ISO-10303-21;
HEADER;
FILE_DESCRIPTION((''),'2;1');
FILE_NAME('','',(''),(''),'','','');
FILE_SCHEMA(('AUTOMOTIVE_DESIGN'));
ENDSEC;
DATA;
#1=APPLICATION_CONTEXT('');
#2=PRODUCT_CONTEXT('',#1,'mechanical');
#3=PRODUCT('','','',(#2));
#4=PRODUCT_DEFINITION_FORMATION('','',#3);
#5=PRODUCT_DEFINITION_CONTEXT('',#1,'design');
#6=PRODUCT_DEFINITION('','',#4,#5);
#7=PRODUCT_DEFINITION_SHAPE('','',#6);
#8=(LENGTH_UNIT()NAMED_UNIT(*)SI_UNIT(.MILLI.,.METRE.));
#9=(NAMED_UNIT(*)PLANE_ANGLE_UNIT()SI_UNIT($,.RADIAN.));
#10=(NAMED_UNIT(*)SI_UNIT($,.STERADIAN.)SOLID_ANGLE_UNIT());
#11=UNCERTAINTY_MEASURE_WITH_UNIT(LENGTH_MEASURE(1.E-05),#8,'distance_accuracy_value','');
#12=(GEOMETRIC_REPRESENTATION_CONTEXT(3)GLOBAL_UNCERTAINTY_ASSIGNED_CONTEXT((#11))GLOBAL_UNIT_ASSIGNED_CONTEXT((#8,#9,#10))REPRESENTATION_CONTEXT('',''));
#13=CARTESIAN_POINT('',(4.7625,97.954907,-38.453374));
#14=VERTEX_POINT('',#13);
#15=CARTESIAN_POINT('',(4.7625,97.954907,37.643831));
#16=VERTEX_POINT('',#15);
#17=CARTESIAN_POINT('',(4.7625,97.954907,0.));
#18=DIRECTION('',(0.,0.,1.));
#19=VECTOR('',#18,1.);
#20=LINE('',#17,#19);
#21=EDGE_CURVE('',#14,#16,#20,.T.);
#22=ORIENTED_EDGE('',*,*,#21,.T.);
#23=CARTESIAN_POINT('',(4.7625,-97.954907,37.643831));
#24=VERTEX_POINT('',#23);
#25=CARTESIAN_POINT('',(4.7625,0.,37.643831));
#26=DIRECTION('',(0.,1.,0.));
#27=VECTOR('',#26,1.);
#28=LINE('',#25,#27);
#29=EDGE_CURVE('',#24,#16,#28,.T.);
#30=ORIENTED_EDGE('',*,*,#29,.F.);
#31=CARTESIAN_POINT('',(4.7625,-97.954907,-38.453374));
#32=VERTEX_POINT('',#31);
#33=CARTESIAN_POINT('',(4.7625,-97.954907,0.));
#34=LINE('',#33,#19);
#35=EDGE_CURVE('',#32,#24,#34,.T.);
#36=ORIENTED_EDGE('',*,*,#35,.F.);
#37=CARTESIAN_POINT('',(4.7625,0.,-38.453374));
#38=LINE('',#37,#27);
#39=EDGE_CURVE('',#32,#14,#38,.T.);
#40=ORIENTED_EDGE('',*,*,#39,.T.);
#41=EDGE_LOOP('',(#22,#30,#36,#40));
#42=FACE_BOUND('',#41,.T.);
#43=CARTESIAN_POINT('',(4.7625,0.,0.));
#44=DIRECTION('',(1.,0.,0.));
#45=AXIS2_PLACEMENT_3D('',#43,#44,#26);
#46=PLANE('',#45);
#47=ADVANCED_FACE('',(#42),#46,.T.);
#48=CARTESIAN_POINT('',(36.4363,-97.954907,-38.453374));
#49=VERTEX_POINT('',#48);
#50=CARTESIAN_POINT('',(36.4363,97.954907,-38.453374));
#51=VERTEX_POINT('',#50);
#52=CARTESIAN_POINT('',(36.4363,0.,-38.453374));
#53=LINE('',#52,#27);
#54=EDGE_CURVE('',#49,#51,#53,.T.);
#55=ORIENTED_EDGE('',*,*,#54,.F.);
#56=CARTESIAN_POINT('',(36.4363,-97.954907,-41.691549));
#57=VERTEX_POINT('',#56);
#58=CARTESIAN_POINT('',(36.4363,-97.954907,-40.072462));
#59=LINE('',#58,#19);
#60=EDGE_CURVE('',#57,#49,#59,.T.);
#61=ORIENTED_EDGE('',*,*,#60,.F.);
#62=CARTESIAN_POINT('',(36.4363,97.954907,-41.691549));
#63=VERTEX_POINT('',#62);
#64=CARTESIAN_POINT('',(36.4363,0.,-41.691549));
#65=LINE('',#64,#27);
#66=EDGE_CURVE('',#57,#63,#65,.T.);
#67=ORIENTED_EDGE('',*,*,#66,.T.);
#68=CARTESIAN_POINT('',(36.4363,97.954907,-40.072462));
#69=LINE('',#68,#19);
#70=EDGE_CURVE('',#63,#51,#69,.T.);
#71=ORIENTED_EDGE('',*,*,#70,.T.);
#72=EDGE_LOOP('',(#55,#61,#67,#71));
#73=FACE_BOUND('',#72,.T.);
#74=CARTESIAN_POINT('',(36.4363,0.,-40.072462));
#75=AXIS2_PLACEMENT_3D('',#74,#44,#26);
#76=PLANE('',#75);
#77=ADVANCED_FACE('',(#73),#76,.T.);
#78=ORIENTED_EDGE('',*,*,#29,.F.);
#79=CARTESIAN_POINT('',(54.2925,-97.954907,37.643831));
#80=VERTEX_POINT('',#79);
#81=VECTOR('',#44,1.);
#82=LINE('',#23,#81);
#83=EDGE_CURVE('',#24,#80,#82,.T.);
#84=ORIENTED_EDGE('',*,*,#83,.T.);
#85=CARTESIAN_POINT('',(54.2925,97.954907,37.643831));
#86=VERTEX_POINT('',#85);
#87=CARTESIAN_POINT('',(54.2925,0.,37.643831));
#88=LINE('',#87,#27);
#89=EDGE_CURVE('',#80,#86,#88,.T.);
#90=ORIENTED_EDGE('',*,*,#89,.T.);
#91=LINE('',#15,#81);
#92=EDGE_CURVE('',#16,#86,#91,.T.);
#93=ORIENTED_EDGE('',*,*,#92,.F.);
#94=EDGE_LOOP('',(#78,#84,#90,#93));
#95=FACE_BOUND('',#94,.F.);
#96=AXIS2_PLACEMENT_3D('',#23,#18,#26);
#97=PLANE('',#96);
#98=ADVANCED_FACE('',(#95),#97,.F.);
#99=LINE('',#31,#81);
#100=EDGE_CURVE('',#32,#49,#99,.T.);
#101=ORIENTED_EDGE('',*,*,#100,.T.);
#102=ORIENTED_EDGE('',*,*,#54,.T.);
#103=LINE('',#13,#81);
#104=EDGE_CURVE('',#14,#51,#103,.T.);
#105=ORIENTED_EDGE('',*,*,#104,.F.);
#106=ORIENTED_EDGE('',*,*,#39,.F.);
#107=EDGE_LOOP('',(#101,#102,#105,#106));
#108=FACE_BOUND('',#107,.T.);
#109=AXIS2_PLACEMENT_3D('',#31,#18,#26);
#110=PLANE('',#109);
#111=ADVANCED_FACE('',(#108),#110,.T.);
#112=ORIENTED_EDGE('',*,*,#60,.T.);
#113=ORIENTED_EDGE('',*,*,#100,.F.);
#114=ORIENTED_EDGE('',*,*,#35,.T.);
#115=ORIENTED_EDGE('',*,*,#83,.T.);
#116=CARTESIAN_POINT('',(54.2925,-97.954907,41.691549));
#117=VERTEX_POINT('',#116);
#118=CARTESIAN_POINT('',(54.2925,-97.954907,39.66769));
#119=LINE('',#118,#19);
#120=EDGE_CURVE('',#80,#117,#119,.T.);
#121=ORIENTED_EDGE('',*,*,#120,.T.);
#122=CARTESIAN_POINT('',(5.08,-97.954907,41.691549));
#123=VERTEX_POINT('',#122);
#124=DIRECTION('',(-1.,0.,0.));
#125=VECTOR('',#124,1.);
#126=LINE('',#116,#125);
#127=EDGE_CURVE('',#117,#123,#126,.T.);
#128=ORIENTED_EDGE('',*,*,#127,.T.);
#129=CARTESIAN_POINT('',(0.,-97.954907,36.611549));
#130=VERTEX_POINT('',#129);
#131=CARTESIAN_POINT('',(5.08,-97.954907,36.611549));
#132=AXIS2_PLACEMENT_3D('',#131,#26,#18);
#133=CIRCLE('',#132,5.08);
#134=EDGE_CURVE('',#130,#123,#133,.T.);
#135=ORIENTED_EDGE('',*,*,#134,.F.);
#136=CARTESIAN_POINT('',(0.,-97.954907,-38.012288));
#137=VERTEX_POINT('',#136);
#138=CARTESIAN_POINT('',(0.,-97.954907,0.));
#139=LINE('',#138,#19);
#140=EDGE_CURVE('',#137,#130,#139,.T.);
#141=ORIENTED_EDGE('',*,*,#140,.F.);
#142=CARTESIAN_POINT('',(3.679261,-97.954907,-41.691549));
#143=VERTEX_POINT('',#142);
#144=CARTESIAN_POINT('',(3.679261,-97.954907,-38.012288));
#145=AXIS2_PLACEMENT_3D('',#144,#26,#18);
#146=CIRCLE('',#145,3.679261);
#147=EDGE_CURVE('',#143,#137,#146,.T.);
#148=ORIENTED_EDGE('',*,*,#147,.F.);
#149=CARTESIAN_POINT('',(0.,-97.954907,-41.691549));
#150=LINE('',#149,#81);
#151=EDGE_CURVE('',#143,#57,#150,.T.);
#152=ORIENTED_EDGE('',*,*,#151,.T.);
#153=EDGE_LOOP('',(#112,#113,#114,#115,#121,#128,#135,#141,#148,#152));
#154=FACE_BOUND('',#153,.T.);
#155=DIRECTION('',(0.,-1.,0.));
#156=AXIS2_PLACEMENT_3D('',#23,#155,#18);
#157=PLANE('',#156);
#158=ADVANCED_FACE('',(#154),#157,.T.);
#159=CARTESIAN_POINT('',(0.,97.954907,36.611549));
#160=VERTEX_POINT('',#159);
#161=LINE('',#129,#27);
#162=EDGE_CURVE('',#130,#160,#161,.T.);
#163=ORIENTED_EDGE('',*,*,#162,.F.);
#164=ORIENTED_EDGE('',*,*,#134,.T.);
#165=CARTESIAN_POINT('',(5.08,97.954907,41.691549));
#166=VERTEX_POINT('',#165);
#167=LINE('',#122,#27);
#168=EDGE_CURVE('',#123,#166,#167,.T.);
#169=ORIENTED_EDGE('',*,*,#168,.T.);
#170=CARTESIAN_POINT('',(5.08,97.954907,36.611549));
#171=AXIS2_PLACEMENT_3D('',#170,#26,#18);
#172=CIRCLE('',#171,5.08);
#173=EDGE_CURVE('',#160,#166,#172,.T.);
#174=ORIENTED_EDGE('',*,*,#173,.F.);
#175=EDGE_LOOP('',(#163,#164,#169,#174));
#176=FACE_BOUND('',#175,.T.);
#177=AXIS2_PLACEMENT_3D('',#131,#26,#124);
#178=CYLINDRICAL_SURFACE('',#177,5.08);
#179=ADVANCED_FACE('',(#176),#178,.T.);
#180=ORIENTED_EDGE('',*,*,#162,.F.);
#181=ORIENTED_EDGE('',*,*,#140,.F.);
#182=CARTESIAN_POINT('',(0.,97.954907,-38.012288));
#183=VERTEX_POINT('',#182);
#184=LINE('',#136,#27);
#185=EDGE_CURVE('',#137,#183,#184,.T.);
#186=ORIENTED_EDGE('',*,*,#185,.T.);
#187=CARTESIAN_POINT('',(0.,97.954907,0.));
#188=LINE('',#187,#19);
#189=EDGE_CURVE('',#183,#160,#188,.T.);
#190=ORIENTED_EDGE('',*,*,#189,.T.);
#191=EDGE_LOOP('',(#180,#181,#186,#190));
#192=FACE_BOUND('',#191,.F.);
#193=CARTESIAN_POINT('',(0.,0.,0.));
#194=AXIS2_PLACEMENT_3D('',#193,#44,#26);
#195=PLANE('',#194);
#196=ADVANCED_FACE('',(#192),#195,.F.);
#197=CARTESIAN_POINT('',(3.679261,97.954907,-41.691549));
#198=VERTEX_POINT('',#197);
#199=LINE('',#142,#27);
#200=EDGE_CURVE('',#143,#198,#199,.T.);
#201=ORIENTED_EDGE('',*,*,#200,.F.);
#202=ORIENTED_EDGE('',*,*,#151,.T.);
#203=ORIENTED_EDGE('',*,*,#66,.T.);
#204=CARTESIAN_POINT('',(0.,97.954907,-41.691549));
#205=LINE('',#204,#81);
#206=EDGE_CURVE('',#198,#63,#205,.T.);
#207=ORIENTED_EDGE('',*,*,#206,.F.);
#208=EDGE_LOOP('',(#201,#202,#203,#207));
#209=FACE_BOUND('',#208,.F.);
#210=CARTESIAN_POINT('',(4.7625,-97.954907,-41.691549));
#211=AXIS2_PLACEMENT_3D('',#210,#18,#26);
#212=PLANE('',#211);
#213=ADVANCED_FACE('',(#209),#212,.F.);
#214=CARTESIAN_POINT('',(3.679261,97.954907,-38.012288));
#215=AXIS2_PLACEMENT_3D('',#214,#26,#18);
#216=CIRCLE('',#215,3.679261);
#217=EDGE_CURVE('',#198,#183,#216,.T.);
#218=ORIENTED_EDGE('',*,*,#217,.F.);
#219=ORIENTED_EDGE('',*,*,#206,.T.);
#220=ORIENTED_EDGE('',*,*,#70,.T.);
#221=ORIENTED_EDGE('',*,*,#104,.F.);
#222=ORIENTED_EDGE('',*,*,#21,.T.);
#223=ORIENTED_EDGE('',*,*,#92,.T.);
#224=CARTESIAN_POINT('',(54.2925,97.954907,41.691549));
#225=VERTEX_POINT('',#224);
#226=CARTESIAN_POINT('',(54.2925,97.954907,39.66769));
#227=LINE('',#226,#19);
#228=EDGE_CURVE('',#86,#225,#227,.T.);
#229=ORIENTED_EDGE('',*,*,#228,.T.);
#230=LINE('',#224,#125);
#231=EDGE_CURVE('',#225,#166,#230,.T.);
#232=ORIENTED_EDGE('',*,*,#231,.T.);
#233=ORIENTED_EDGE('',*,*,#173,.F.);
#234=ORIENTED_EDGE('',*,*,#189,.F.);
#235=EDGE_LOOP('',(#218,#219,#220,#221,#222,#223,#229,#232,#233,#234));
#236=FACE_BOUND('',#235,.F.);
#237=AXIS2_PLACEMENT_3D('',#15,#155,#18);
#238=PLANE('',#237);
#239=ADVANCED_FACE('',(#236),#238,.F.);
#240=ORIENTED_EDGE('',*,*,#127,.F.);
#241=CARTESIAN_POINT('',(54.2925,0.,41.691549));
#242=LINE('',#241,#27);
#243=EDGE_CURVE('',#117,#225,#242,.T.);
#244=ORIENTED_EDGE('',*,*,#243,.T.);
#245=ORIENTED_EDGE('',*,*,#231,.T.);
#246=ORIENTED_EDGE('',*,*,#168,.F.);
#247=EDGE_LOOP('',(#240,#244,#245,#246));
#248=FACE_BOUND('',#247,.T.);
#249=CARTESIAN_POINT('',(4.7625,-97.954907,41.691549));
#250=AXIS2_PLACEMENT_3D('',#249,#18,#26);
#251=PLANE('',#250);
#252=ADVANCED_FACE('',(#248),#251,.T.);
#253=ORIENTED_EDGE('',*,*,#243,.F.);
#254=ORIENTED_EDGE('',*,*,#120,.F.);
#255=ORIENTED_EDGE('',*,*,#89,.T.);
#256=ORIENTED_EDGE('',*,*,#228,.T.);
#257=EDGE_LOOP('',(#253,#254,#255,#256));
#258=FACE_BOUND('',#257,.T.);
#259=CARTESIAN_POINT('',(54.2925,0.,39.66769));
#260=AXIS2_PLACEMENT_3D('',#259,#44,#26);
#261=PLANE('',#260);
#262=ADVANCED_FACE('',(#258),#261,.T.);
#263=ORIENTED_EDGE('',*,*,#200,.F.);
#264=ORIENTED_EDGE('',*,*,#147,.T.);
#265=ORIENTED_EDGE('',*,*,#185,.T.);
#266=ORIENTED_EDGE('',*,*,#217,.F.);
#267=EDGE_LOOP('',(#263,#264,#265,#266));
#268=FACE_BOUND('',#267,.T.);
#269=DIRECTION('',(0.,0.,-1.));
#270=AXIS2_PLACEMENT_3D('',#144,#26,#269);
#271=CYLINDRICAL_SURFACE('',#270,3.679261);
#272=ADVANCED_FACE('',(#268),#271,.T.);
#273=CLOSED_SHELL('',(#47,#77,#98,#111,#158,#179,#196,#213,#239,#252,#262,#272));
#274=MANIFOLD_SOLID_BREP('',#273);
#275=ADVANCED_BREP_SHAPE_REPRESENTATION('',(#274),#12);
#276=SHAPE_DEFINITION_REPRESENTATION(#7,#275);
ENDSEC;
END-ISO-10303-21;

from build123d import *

# Parameters (mm, degrees)
F0_W     = 195.9098130465
F0_H     = 83.3830982447
F1_DEPTH = 4.7625
F2_W     = 195.9098130465
F2_H     = 3.2381750643
F3_DEPTH = 34.8488
F4_R     = 3.6792614691
F5_DEPTH = 3.175
F6_W     = 195.9098130465
F6_H     = 4.0477178991
F7_DEPTH = 49.53
F8_R     = 5.08


with BuildPart() as f1:
    # F0 (on Right) → F1 (new body)
    with BuildSketch(Plane.YZ):
        Rectangle(F0_W, F0_H)
    extrude(amount=F1_DEPTH)

    # F2 (on face) → F3 (join)
    with BuildSketch(Plane.YZ.offset(4.7625)):
        with Locations((0, -40.0724615902)):
            Rectangle(F2_W, F2_H)
    extrude(amount=F3_DEPTH)

    # F4
    f4_edges = [f1.edges().sort_by_distance(p)[0] for p in [
        (0, 0, -41.691549),
    ]]
    fillet(f4_edges, radius=F4_R)

    # F5 (cut): a face of the model
    f5_faces = [f1.faces().sort_by_distance(p)[0] for p in [
        (39.6113, 0, -40.0724615902),
    ]]
    extrude(f5_faces, amount=-F5_DEPTH, mode=Mode.SUBTRACT)

    # F6 (on face) → F7 (join)
    with BuildSketch(Plane.YZ.offset(4.7625)):
        with Locations((0, 39.6676901728)):
            Rectangle(F6_W, F6_H)
    extrude(amount=F7_DEPTH)

    # F8
    f8_edges = [f1.edges().sort_by_distance(p)[0] for p in [
        (0, 0, 41.691549),
    ]]
    fillet(f8_edges, radius=F8_R)


solid = f1.part
